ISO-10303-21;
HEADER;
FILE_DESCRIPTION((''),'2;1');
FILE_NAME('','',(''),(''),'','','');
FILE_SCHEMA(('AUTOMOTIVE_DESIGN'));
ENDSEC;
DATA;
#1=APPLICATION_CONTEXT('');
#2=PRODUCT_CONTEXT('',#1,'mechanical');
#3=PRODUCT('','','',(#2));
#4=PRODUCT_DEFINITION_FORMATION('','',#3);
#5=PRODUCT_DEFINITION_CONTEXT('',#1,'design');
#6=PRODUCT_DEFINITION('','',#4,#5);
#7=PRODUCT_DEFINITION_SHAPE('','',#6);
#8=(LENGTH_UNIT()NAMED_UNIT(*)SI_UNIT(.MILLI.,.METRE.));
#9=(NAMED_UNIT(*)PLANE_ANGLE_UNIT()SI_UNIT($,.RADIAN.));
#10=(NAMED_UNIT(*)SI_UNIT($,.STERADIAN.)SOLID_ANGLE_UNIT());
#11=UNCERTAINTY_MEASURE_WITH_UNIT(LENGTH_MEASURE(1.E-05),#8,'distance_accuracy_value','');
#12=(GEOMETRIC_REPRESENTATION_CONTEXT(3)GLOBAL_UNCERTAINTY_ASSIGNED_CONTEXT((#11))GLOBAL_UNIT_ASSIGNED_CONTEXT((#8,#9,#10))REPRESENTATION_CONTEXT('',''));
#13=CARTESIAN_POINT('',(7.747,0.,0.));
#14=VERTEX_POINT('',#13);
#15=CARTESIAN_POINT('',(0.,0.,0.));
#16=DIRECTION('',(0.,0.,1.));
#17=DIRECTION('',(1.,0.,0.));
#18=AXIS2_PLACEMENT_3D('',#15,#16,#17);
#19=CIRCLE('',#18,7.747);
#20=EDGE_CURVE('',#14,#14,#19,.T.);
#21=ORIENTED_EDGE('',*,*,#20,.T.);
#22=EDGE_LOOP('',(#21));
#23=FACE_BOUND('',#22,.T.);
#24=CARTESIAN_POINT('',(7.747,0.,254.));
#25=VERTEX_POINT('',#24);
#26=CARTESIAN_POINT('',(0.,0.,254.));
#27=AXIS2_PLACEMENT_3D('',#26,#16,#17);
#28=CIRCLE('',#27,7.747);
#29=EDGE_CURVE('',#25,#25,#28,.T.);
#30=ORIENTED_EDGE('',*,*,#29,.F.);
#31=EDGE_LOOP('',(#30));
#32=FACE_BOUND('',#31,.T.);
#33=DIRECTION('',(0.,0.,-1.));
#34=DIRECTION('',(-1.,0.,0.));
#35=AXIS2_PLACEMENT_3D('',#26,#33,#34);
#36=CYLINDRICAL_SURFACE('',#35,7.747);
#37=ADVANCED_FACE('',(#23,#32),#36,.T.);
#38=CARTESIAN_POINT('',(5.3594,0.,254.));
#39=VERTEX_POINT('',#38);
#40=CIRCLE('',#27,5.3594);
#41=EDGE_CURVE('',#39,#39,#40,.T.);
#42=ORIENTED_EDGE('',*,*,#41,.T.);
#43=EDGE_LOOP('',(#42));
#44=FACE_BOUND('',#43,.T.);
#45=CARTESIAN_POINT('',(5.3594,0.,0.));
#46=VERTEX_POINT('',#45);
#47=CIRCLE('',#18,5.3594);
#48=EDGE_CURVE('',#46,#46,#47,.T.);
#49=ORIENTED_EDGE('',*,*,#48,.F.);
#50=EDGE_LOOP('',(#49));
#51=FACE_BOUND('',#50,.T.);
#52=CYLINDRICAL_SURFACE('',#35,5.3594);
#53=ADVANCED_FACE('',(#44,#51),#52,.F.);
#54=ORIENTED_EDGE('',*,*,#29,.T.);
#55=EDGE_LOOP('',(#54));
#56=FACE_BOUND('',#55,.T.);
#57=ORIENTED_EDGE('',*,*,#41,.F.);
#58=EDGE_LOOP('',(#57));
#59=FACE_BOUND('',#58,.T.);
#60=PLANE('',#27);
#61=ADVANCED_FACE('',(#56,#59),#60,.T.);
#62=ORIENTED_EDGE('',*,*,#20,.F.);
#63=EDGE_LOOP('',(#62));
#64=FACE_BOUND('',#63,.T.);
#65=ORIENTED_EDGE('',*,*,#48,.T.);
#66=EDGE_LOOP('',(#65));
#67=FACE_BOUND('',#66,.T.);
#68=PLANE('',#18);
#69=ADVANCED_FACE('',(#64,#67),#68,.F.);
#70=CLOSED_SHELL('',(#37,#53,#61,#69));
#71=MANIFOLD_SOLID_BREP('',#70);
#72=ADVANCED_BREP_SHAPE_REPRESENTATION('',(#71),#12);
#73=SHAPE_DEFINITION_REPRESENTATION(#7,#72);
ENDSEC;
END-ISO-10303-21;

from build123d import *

# Parameters (mm, degrees)
SKETCH1_R           = 7.747
SKETCH1_R_2         = 5.3594
BOSS_EXTRUDE1_DEPTH = 254


with BuildPart() as part:
    # Sketch1 → Boss-Extrude1 (new body)
    with BuildSketch(Plane.XY):
        Circle(SKETCH1_R)
        Circle(SKETCH1_R_2, mode=Mode.SUBTRACT)
    extrude(amount=BOSS_EXTRUDE1_DEPTH)


solid = part.part
